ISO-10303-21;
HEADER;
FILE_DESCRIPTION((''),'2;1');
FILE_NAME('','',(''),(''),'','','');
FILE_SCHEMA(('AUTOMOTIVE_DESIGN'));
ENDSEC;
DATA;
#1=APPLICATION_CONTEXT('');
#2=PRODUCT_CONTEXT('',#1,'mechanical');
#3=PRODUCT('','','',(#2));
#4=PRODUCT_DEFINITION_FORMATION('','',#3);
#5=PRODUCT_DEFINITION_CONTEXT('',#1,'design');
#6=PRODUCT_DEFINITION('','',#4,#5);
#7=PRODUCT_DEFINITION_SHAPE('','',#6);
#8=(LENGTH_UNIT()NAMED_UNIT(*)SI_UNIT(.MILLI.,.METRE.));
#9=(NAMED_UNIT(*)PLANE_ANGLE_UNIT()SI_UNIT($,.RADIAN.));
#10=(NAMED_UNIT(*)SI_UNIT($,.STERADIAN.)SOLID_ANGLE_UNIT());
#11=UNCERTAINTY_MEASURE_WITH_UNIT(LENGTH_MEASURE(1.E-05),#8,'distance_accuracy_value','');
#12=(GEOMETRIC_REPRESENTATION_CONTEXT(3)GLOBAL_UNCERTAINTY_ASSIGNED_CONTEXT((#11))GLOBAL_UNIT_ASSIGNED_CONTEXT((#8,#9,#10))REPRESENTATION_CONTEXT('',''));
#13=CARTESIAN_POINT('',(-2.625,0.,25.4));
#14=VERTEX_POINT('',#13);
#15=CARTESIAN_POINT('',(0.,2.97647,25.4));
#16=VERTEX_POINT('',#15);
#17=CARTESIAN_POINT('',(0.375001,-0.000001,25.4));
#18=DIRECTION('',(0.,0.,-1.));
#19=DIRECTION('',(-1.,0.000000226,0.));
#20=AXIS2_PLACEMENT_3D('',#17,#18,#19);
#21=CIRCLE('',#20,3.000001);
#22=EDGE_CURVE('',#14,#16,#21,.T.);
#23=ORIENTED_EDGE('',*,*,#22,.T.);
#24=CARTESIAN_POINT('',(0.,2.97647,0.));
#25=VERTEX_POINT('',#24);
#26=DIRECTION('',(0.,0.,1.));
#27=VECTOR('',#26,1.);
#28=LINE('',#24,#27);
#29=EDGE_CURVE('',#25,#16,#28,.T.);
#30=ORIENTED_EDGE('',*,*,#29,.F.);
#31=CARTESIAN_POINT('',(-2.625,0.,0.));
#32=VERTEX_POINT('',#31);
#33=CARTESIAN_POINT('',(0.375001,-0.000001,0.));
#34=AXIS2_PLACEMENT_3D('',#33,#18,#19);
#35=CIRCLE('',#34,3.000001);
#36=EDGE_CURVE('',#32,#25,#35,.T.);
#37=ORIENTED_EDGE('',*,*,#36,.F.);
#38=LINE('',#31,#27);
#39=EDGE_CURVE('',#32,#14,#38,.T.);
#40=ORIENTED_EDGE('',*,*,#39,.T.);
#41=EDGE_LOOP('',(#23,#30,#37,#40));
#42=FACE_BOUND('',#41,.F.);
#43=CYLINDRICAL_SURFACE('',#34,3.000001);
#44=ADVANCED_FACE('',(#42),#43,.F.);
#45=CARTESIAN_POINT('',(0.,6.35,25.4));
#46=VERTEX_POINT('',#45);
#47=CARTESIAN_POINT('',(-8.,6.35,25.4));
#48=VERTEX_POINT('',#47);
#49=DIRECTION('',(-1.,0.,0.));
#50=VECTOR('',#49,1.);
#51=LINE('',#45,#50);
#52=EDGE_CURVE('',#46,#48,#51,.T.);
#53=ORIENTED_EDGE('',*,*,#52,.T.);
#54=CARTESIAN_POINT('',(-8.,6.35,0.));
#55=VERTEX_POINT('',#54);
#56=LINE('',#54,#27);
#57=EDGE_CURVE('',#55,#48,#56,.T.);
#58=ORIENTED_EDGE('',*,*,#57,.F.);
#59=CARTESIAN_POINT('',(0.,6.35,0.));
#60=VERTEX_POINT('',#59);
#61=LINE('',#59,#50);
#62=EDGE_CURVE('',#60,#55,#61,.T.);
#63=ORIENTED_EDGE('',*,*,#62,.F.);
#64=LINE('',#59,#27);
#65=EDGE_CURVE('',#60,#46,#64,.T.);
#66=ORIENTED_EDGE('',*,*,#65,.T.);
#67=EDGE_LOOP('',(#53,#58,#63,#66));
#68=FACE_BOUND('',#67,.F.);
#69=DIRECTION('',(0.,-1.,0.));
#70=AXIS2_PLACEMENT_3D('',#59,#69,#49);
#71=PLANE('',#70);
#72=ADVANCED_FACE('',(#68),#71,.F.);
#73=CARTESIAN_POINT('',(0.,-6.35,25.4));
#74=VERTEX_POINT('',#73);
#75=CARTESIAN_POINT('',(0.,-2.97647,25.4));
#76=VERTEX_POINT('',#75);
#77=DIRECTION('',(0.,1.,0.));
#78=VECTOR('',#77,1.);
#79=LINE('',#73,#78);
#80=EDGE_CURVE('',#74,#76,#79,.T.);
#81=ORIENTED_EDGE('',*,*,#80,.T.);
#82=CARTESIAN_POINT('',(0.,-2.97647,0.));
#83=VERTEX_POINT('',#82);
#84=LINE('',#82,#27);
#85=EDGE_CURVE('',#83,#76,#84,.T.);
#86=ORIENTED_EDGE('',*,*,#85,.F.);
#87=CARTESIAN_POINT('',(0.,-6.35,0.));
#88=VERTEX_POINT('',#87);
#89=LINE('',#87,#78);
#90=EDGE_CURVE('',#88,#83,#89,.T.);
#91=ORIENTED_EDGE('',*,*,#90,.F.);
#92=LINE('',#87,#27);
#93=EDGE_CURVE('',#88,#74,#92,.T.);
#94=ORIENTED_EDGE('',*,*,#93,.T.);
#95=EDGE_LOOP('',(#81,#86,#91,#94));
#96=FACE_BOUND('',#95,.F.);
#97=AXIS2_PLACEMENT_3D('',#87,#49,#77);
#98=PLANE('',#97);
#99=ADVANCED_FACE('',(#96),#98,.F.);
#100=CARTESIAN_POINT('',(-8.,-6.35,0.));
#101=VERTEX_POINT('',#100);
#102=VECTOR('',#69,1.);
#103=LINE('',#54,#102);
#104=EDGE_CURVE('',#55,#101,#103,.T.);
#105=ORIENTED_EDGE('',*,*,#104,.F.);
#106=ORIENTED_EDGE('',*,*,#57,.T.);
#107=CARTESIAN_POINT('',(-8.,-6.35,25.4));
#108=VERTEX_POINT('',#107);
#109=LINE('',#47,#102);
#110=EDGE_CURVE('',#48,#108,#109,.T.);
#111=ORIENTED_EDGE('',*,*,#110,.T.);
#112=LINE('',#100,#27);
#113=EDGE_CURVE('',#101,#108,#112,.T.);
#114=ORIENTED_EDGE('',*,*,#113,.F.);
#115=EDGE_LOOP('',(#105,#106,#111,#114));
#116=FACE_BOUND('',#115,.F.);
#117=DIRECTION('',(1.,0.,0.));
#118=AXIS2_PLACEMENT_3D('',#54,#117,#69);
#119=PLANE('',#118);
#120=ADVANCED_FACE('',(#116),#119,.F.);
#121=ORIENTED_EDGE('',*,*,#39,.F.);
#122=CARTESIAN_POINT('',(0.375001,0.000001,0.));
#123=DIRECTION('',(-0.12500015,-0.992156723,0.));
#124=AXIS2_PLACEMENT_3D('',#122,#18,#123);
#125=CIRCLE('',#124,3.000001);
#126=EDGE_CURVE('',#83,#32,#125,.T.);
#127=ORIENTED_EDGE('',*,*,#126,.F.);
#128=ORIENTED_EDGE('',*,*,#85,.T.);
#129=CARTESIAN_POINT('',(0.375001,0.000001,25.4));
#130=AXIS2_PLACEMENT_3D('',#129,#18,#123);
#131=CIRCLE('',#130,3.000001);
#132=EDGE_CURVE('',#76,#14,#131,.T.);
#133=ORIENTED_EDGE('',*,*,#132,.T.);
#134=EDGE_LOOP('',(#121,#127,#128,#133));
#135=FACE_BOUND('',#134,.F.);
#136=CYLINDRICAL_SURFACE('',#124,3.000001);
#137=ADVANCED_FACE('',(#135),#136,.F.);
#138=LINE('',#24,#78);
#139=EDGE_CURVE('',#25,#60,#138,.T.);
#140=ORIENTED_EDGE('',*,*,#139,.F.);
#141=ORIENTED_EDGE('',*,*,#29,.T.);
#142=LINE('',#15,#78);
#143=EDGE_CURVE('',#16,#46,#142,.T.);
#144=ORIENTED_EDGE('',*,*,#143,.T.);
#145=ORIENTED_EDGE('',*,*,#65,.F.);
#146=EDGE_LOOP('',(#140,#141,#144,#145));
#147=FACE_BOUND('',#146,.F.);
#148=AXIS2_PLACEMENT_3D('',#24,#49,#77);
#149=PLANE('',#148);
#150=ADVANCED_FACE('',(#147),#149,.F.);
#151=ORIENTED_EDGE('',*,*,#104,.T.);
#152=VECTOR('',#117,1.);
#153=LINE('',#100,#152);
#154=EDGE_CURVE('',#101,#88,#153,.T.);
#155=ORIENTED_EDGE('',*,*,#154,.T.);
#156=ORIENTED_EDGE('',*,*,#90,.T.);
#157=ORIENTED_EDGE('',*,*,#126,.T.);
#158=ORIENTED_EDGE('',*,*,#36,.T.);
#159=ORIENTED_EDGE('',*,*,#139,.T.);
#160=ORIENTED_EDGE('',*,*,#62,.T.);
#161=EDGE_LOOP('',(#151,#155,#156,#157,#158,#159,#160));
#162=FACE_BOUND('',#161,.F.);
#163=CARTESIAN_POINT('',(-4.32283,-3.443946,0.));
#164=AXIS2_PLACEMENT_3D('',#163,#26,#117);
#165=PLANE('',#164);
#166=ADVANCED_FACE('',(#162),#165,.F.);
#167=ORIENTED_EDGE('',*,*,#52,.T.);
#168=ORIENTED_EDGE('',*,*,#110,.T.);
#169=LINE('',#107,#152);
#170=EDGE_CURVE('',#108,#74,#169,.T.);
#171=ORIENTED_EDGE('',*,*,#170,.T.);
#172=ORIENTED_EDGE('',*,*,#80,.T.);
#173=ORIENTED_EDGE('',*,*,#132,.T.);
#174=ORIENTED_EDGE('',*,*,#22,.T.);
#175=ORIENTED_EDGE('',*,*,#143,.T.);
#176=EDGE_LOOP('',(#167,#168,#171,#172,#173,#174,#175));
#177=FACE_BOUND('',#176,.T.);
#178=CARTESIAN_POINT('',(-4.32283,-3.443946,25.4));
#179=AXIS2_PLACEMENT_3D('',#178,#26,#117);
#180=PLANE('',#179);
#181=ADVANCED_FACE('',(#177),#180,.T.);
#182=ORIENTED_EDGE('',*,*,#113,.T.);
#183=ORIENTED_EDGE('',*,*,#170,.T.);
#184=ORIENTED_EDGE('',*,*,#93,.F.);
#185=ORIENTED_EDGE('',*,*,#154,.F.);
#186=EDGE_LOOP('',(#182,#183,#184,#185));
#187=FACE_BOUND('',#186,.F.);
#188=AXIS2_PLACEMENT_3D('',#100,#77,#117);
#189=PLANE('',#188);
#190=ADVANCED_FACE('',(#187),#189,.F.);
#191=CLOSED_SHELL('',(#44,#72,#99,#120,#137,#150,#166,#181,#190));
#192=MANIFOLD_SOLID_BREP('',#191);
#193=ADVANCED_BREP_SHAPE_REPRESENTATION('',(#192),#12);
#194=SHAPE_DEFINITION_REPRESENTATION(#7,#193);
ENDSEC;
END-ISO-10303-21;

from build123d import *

# Parameters (mm, degrees)
F1_DEPTH = 25.4


with BuildPart() as f1:
    # F0 (on Top) → F1 (new body)
    with BuildSketch(Plane.XY):
        with BuildLine():
            Line((-2.625, 0), (-8, 0))
            Line((-8, 0), (-8, -6.35))
            Line((-8, -6.35), (0, -6.35))
            Line((0, -6.35), (0, -2.97647))
            ThreePointArc((0, -2.97647), (-1.875, -1.984313), (-2.625, 0))
        make_face()
        with BuildLine():
            Line((0, 6.35), (-8, 6.35))
            Line((-8, 6.35), (-8, 0))
            Line((-8, 0), (-2.625, 0))
            ThreePointArc((-2.625, 0), (-1.875, 1.984313), (0, 2.97647))
            Line((0, 2.97647), (0, 6.35))
        make_face()
    extrude(amount=F1_DEPTH)


solid = f1.part
